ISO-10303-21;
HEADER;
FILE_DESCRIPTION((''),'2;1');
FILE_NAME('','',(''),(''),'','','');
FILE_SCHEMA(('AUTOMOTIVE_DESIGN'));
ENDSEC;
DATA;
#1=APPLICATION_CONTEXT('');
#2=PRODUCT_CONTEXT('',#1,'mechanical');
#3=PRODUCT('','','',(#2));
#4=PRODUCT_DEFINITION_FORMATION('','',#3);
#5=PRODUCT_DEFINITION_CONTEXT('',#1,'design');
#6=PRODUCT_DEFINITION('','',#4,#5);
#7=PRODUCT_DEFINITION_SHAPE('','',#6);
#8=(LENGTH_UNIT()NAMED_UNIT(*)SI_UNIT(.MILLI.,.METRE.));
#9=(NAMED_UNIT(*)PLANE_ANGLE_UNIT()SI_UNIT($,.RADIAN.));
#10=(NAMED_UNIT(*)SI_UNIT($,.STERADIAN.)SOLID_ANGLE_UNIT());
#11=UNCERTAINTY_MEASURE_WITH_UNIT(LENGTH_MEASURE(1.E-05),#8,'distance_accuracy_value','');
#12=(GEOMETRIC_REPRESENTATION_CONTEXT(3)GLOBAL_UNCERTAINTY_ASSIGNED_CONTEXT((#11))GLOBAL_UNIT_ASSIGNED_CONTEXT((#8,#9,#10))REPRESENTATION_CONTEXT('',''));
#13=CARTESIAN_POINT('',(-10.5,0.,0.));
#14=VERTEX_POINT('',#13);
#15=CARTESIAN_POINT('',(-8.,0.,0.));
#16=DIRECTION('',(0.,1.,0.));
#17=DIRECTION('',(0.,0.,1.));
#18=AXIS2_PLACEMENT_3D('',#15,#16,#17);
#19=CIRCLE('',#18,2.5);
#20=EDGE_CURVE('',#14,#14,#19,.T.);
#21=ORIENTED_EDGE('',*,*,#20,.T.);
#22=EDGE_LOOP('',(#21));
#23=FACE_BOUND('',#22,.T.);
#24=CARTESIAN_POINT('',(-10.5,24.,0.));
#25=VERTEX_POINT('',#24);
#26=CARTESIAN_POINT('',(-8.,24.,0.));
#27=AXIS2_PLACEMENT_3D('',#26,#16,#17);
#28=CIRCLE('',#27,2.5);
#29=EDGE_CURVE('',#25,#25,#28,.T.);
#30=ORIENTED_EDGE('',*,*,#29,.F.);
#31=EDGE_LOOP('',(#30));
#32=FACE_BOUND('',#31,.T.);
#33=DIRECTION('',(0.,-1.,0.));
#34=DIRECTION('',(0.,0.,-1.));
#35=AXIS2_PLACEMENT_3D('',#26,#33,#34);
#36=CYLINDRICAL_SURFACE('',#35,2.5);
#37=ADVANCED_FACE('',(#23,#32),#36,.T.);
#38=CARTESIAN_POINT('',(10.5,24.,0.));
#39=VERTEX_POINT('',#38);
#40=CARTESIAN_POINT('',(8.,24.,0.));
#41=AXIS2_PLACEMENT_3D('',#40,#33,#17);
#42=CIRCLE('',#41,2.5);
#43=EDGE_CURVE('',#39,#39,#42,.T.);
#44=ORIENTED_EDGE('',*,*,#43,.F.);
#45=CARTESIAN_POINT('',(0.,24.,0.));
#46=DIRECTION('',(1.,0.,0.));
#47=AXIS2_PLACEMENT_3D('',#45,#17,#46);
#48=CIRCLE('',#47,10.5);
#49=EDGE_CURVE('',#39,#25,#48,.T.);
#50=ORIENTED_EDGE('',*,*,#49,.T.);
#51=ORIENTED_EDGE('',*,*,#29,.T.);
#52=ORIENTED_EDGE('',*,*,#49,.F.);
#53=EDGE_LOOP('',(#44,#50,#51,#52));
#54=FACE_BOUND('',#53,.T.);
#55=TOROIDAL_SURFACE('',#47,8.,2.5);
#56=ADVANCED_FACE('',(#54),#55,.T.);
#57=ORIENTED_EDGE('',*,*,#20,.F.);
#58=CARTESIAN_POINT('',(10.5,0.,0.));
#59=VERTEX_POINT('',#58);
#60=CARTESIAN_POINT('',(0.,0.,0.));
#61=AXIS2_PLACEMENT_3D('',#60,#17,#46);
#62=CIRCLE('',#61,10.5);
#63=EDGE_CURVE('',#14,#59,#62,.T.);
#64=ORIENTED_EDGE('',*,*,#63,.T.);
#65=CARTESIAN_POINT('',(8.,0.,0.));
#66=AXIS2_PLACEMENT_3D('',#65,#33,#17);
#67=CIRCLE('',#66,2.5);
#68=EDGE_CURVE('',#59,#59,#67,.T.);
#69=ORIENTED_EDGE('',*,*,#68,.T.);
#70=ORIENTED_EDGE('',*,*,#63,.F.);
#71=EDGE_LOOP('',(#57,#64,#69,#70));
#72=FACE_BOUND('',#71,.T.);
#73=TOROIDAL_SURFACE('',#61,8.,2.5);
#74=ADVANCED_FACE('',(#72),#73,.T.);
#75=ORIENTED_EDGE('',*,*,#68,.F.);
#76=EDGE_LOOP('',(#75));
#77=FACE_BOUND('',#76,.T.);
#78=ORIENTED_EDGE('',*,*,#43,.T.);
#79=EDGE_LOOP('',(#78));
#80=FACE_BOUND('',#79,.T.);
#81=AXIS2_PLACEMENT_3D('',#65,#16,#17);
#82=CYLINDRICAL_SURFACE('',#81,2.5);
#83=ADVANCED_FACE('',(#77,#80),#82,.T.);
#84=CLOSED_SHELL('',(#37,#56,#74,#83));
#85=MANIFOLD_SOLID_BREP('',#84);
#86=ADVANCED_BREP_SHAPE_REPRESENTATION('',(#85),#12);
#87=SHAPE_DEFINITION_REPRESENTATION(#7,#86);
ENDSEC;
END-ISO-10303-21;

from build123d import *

# Parameters (mm, degrees)
SKETCH_2_R = 2.5


with BuildPart() as part:
    # По траектории1: sweep along a path in Эскиз1
    with BuildLine(Plane.XY) as sweep_1_path:
        Line((-8, 0), (-8, 24))
        ThreePointArc((-8, 24), (0, 32), (8, 24))
        Line((8, 24), (8, 0))
        ThreePointArc((8, 0), (0, -8), (-8, 0))
    # Эскиз2 → По траектории1 (sweep)
    with BuildSketch(Plane(origin=(0, 0, 0), x_dir=(1, 0, 0), z_dir=(0, 1, 0))):
        with Locations((-8, 0)):
            Circle(SKETCH_2_R)
    sweep(path=sweep_1_path.line)


solid = part.part
